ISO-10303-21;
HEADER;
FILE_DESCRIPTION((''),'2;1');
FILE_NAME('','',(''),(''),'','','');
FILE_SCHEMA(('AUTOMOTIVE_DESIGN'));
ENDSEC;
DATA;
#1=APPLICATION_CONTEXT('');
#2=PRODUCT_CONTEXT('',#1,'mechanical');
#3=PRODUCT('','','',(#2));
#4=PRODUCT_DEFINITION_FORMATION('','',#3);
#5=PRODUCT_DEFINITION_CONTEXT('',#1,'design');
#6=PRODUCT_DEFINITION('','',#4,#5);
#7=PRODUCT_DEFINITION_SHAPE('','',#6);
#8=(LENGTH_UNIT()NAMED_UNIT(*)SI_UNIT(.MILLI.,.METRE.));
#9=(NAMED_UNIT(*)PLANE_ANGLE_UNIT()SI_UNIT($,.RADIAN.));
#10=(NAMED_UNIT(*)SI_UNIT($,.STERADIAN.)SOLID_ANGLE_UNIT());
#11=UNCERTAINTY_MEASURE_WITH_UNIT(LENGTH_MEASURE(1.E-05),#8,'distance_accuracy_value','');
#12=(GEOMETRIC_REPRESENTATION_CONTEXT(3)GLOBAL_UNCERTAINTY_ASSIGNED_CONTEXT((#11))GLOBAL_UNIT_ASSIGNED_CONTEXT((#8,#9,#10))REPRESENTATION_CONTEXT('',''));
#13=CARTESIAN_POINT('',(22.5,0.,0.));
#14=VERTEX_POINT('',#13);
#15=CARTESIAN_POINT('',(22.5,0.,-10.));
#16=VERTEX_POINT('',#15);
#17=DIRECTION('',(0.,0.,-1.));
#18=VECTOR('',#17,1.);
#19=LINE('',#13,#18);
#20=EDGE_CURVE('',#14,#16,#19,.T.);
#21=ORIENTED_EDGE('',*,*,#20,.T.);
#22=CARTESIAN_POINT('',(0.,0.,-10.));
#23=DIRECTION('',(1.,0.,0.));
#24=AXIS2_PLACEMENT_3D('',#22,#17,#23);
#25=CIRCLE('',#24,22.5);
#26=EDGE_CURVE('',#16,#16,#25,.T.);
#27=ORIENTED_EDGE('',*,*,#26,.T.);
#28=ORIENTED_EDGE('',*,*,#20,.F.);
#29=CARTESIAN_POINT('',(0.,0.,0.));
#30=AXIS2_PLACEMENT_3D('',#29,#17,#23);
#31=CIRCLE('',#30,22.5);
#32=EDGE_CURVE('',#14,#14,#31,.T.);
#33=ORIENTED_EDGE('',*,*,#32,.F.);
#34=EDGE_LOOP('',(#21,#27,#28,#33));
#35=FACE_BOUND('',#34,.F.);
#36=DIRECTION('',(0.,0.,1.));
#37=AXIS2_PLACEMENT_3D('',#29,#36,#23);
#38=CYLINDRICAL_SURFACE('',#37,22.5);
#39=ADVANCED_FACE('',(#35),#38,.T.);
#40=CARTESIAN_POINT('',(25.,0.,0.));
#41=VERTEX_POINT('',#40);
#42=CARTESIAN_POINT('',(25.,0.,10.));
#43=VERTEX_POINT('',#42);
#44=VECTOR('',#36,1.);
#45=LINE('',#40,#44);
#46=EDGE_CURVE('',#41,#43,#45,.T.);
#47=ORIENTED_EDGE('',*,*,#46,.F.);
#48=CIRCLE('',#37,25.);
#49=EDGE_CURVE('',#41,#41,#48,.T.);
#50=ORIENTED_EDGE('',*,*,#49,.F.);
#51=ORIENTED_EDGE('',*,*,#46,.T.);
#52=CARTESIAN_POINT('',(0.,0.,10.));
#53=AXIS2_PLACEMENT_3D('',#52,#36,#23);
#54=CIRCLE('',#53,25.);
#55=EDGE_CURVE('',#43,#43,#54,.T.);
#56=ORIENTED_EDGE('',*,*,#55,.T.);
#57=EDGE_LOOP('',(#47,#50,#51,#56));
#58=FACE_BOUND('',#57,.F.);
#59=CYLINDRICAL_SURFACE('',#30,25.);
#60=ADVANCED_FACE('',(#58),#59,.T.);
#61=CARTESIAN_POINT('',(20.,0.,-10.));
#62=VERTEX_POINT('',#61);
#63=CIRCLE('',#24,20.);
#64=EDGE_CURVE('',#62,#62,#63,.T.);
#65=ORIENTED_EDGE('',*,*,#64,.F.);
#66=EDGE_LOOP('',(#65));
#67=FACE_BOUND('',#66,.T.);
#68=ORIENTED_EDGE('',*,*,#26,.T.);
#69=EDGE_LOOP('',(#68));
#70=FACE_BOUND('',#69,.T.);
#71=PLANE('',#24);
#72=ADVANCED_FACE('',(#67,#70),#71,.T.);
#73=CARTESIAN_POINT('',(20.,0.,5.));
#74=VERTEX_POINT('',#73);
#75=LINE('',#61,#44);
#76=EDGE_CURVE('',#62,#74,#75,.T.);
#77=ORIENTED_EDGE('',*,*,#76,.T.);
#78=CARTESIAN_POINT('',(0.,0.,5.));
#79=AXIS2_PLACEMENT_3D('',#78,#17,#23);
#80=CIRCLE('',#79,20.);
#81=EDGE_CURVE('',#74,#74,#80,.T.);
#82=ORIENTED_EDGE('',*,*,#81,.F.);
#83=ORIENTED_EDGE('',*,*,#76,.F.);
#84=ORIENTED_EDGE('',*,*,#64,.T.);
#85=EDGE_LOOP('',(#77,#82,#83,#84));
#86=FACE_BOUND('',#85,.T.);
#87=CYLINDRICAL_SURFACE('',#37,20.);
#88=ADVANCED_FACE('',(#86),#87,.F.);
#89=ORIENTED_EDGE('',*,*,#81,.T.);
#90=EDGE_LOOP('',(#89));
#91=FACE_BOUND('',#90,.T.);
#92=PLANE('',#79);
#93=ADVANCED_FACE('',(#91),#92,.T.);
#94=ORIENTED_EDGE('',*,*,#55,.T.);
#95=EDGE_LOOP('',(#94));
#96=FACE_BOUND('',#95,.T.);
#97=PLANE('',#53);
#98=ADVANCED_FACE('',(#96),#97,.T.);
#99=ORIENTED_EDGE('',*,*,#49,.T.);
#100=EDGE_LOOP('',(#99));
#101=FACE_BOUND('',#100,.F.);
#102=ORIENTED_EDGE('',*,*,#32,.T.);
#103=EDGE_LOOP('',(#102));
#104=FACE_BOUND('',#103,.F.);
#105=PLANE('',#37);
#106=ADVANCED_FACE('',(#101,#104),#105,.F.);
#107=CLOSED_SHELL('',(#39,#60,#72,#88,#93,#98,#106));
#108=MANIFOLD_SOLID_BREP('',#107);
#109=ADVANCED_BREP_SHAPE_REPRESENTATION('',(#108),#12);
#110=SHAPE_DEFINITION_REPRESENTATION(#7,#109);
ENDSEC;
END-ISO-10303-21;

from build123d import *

# Parameters (mm, degrees)
SKETCH_R      = 25
PAD_DEPTH     = 10
SKETCH001_R   = 22.5
SKETCH001_R_2 = 20
PAD001_DEPTH  = 10
SKETCH002_R   = 20
POCKET_DEPTH  = 5


with BuildPart() as part:
    # Sketch → Pad (new body)
    with BuildSketch(Plane.XY):
        Circle(SKETCH_R)
    extrude(amount=PAD_DEPTH)

    # Sketch001 (on Face2 of Pad) → Pad001 (join)
    with BuildSketch(Plane(origin=(0, 0, 0), x_dir=(1, 0, 0), z_dir=(0, 0, -1))):
        Circle(SKETCH001_R)
        Circle(SKETCH001_R_2, mode=Mode.SUBTRACT)
    extrude(amount=PAD001_DEPTH)

    # Sketch002 (on Face7 of Pad001) → Pocket (cut)
    with BuildSketch(Plane(origin=(0, 0, 0), x_dir=(1, 0, 0), z_dir=(0, 0, -1))):
        Circle(SKETCH002_R)
    extrude(amount=-POCKET_DEPTH, mode=Mode.SUBTRACT)


solid = part.part
